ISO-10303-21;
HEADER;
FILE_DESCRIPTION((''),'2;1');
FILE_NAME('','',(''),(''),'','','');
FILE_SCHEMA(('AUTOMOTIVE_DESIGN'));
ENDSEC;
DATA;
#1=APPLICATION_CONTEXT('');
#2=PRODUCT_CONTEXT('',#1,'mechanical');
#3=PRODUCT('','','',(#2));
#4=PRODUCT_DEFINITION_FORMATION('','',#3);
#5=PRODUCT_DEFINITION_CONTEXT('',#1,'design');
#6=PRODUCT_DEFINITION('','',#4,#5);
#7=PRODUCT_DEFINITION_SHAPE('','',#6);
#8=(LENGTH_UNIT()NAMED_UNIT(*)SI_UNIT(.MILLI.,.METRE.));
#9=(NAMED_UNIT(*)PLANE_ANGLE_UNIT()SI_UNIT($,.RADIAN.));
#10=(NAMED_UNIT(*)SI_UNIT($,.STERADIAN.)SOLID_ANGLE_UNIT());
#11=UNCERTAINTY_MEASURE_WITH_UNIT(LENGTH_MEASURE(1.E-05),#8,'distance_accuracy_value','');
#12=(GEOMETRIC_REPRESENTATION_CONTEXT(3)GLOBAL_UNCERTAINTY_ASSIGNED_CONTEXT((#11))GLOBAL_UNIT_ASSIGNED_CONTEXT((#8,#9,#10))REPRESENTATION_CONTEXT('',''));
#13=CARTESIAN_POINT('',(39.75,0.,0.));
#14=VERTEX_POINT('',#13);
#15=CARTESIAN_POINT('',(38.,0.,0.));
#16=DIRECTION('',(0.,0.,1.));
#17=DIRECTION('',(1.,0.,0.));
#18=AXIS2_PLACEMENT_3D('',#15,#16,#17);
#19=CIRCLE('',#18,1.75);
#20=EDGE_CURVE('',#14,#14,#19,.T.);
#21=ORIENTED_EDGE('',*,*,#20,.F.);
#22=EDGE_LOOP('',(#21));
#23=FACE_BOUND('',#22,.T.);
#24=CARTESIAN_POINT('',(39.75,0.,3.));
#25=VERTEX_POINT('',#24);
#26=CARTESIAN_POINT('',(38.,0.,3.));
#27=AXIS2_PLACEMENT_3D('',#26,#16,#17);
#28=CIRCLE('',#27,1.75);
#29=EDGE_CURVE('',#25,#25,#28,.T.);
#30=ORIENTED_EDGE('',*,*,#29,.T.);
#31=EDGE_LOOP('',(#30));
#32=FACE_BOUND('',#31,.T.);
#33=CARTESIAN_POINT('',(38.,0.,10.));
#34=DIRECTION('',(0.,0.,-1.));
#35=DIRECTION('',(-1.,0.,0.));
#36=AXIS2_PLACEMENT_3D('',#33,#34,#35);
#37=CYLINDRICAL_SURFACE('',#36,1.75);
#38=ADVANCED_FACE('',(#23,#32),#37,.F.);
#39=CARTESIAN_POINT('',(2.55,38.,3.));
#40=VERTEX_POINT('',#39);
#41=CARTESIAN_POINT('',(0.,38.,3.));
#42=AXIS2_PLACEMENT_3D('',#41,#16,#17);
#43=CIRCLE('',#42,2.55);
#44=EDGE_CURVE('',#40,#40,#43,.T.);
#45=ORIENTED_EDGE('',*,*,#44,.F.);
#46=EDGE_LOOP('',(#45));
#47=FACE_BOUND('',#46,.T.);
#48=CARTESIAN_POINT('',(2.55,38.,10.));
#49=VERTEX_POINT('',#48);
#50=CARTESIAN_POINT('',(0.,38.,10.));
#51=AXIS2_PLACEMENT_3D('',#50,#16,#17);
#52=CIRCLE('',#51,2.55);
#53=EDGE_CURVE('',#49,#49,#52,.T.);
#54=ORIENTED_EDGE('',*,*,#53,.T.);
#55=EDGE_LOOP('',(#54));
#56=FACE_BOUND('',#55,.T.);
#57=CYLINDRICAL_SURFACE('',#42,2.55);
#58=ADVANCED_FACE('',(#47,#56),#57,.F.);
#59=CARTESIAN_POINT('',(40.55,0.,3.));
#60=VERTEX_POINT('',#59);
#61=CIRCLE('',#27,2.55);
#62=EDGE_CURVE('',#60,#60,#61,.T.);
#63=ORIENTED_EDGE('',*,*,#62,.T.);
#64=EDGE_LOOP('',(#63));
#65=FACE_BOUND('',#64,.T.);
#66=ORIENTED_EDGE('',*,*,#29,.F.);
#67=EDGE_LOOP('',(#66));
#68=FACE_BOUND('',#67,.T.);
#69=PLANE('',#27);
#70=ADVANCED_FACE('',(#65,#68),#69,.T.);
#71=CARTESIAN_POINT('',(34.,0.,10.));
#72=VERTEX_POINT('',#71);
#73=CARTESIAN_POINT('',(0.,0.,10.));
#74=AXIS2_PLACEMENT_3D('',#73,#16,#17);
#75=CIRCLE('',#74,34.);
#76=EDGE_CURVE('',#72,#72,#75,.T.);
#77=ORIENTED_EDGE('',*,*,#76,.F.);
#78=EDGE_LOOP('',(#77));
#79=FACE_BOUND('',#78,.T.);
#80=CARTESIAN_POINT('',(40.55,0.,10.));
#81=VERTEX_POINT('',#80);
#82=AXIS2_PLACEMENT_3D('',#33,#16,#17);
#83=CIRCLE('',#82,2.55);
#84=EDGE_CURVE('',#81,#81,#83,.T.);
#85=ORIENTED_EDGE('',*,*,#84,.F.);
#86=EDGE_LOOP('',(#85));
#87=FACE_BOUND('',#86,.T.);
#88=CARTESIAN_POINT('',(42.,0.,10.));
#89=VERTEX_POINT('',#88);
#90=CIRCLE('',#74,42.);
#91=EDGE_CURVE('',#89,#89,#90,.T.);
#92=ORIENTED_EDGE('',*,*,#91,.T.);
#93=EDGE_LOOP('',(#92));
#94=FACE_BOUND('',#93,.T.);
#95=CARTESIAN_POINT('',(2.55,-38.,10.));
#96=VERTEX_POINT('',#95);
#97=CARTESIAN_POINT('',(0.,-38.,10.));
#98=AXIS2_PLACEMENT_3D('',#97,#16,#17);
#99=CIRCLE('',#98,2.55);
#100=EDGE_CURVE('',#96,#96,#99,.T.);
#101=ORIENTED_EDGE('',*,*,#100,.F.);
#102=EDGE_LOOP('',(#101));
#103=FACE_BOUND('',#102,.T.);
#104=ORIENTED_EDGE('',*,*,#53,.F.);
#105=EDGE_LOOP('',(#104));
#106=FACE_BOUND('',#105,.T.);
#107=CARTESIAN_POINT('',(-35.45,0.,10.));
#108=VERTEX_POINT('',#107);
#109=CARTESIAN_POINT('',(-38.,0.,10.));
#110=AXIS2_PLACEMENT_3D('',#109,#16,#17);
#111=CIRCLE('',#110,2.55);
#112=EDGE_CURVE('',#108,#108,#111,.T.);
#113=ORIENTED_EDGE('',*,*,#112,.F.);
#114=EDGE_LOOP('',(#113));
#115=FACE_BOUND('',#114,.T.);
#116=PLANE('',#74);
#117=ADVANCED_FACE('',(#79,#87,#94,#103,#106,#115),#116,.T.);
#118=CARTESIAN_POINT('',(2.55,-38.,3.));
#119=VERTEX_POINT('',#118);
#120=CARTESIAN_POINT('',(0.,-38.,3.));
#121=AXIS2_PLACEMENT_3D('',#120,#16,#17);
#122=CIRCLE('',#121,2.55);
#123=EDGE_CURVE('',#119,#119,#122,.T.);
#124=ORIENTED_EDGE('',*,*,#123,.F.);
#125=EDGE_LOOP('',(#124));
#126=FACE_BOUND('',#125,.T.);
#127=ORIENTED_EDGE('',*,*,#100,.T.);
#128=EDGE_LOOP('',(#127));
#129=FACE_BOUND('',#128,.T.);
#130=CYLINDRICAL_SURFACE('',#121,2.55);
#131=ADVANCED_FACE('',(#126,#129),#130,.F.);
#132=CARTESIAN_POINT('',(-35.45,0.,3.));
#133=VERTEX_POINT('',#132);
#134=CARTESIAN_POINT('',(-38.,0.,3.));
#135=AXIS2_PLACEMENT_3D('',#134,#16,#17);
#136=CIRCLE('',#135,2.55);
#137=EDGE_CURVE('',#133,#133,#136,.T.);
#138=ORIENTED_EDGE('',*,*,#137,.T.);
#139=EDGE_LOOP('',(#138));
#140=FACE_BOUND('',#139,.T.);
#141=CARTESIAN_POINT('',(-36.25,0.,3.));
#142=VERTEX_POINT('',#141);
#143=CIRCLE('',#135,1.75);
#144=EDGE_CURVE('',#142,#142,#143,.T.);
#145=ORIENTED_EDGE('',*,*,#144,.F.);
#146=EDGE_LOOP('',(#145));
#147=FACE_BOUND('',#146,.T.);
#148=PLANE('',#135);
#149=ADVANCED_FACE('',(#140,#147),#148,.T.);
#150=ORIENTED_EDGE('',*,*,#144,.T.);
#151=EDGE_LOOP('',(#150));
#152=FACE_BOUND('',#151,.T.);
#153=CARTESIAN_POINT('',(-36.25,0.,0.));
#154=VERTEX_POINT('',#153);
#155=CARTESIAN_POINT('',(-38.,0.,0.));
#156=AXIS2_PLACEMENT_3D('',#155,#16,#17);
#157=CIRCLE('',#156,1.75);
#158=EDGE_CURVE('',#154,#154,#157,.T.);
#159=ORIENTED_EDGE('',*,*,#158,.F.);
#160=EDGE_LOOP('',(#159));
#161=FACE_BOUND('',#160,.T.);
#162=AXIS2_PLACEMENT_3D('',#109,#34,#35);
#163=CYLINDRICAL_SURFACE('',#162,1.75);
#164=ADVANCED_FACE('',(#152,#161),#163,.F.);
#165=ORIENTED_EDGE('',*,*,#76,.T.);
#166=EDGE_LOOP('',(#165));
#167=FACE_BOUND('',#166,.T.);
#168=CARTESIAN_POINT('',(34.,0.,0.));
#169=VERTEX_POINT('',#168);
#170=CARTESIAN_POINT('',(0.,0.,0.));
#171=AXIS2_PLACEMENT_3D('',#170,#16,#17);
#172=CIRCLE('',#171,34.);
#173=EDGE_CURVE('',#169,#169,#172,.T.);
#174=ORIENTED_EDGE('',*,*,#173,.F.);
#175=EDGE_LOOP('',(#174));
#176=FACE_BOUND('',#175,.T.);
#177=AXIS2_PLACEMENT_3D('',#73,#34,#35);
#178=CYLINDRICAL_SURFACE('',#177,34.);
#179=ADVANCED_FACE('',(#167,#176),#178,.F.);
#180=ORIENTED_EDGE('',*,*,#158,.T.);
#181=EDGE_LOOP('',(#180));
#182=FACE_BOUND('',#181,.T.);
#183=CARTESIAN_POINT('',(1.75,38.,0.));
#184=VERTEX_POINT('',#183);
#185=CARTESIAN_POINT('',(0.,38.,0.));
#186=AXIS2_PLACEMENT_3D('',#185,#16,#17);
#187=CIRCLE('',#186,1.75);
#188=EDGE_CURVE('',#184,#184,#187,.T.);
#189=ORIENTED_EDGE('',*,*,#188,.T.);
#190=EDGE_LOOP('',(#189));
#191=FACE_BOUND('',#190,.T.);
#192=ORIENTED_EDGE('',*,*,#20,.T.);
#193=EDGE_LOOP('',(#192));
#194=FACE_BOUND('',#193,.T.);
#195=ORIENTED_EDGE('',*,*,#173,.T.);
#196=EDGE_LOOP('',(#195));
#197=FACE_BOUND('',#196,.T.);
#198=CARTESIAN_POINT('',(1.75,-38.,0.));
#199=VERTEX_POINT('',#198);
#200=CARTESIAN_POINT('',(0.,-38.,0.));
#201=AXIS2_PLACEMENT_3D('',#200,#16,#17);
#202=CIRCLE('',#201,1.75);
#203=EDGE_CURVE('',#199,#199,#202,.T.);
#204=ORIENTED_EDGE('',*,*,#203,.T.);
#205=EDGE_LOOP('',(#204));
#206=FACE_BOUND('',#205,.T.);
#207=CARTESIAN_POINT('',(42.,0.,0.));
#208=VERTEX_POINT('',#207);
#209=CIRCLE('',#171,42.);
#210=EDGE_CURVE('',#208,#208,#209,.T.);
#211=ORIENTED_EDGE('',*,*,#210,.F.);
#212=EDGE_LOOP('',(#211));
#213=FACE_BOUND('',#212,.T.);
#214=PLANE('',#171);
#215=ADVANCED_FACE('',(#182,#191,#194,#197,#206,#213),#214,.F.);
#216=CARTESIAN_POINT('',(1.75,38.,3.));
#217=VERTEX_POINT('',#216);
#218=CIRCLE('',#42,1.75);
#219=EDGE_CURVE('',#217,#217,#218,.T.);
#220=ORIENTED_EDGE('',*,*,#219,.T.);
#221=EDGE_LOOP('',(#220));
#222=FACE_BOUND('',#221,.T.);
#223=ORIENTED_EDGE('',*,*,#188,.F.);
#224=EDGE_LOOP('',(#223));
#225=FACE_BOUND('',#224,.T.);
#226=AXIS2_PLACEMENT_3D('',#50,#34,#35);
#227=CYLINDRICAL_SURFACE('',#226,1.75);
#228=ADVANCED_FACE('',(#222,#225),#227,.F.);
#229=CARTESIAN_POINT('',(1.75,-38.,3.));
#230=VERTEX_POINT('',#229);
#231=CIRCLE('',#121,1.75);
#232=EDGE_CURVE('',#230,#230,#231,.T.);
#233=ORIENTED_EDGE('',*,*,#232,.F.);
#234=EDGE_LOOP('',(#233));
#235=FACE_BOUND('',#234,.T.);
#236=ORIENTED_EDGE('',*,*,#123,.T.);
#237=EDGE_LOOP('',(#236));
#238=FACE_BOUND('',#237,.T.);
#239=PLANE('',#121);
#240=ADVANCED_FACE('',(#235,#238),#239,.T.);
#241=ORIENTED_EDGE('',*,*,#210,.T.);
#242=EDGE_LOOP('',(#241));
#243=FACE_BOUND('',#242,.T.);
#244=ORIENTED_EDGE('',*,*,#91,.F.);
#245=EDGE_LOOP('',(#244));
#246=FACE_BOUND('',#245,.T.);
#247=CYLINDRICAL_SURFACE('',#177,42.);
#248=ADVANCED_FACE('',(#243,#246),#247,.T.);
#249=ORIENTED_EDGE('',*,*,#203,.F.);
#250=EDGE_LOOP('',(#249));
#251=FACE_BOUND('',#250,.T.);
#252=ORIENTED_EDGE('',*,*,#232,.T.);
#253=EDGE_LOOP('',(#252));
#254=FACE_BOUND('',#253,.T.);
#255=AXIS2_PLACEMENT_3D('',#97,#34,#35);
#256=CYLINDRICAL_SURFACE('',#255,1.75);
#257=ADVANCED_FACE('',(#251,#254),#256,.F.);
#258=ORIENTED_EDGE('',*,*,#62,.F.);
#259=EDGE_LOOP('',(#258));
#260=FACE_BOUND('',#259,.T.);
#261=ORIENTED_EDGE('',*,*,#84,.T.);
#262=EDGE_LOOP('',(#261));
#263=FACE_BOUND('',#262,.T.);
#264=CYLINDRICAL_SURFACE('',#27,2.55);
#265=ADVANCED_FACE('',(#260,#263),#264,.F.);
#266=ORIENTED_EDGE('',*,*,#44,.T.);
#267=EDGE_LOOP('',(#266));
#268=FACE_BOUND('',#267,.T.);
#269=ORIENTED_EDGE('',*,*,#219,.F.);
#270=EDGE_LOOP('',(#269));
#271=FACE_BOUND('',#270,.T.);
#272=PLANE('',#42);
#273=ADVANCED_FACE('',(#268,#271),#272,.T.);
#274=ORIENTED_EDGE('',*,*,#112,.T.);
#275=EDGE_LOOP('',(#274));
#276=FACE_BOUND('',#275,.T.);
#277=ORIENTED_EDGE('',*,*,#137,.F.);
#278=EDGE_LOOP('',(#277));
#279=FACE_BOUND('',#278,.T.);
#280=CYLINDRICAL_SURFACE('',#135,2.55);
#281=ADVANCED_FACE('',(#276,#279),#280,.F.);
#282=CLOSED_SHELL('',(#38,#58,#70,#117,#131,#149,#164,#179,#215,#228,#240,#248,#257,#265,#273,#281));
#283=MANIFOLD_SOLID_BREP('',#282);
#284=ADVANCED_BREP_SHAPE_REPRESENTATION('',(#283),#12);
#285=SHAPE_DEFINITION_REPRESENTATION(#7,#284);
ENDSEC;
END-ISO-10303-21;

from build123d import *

# Parameters (mm, degrees)
SKETCH1_R           = 42
SKETCH1_R_2         = 34
SKETCH1_R_3         = 1.75
BOSS_EXTRUDE1_DEPTH = 10
SKETCH2_R           = 2.55
CUT_EXTRUDE1_DEPTH  = 7


with BuildPart() as part:
    # Sketch1 → Boss-Extrude1 (new body)
    with BuildSketch(Plane.XY):
        Circle(SKETCH1_R)
        Circle(SKETCH1_R_2, mode=Mode.SUBTRACT)
        with Locations((0, 38)):
            Circle(SKETCH1_R_3, mode=Mode.SUBTRACT)
        with Locations((38, 0)):
            Circle(SKETCH1_R_3, mode=Mode.SUBTRACT)
        with Locations((0, -38)):
            Circle(SKETCH1_R_3, mode=Mode.SUBTRACT)
        with Locations((-38, 0)):
            Circle(SKETCH1_R_3, mode=Mode.SUBTRACT)
    extrude(amount=BOSS_EXTRUDE1_DEPTH)

    # Sketch2 → Cut-Extrude1 (cut)
    with BuildSketch(Plane.XY.offset(10)):
        with Locations((0, 38)):
            Circle(SKETCH2_R)
        with Locations((38, 0)):
            Circle(SKETCH2_R)
        with Locations((0, -38)):
            Circle(SKETCH2_R)
        with Locations((-38, 0)):
            Circle(SKETCH2_R)
    extrude(amount=-CUT_EXTRUDE1_DEPTH, mode=Mode.SUBTRACT)


solid = part.part
